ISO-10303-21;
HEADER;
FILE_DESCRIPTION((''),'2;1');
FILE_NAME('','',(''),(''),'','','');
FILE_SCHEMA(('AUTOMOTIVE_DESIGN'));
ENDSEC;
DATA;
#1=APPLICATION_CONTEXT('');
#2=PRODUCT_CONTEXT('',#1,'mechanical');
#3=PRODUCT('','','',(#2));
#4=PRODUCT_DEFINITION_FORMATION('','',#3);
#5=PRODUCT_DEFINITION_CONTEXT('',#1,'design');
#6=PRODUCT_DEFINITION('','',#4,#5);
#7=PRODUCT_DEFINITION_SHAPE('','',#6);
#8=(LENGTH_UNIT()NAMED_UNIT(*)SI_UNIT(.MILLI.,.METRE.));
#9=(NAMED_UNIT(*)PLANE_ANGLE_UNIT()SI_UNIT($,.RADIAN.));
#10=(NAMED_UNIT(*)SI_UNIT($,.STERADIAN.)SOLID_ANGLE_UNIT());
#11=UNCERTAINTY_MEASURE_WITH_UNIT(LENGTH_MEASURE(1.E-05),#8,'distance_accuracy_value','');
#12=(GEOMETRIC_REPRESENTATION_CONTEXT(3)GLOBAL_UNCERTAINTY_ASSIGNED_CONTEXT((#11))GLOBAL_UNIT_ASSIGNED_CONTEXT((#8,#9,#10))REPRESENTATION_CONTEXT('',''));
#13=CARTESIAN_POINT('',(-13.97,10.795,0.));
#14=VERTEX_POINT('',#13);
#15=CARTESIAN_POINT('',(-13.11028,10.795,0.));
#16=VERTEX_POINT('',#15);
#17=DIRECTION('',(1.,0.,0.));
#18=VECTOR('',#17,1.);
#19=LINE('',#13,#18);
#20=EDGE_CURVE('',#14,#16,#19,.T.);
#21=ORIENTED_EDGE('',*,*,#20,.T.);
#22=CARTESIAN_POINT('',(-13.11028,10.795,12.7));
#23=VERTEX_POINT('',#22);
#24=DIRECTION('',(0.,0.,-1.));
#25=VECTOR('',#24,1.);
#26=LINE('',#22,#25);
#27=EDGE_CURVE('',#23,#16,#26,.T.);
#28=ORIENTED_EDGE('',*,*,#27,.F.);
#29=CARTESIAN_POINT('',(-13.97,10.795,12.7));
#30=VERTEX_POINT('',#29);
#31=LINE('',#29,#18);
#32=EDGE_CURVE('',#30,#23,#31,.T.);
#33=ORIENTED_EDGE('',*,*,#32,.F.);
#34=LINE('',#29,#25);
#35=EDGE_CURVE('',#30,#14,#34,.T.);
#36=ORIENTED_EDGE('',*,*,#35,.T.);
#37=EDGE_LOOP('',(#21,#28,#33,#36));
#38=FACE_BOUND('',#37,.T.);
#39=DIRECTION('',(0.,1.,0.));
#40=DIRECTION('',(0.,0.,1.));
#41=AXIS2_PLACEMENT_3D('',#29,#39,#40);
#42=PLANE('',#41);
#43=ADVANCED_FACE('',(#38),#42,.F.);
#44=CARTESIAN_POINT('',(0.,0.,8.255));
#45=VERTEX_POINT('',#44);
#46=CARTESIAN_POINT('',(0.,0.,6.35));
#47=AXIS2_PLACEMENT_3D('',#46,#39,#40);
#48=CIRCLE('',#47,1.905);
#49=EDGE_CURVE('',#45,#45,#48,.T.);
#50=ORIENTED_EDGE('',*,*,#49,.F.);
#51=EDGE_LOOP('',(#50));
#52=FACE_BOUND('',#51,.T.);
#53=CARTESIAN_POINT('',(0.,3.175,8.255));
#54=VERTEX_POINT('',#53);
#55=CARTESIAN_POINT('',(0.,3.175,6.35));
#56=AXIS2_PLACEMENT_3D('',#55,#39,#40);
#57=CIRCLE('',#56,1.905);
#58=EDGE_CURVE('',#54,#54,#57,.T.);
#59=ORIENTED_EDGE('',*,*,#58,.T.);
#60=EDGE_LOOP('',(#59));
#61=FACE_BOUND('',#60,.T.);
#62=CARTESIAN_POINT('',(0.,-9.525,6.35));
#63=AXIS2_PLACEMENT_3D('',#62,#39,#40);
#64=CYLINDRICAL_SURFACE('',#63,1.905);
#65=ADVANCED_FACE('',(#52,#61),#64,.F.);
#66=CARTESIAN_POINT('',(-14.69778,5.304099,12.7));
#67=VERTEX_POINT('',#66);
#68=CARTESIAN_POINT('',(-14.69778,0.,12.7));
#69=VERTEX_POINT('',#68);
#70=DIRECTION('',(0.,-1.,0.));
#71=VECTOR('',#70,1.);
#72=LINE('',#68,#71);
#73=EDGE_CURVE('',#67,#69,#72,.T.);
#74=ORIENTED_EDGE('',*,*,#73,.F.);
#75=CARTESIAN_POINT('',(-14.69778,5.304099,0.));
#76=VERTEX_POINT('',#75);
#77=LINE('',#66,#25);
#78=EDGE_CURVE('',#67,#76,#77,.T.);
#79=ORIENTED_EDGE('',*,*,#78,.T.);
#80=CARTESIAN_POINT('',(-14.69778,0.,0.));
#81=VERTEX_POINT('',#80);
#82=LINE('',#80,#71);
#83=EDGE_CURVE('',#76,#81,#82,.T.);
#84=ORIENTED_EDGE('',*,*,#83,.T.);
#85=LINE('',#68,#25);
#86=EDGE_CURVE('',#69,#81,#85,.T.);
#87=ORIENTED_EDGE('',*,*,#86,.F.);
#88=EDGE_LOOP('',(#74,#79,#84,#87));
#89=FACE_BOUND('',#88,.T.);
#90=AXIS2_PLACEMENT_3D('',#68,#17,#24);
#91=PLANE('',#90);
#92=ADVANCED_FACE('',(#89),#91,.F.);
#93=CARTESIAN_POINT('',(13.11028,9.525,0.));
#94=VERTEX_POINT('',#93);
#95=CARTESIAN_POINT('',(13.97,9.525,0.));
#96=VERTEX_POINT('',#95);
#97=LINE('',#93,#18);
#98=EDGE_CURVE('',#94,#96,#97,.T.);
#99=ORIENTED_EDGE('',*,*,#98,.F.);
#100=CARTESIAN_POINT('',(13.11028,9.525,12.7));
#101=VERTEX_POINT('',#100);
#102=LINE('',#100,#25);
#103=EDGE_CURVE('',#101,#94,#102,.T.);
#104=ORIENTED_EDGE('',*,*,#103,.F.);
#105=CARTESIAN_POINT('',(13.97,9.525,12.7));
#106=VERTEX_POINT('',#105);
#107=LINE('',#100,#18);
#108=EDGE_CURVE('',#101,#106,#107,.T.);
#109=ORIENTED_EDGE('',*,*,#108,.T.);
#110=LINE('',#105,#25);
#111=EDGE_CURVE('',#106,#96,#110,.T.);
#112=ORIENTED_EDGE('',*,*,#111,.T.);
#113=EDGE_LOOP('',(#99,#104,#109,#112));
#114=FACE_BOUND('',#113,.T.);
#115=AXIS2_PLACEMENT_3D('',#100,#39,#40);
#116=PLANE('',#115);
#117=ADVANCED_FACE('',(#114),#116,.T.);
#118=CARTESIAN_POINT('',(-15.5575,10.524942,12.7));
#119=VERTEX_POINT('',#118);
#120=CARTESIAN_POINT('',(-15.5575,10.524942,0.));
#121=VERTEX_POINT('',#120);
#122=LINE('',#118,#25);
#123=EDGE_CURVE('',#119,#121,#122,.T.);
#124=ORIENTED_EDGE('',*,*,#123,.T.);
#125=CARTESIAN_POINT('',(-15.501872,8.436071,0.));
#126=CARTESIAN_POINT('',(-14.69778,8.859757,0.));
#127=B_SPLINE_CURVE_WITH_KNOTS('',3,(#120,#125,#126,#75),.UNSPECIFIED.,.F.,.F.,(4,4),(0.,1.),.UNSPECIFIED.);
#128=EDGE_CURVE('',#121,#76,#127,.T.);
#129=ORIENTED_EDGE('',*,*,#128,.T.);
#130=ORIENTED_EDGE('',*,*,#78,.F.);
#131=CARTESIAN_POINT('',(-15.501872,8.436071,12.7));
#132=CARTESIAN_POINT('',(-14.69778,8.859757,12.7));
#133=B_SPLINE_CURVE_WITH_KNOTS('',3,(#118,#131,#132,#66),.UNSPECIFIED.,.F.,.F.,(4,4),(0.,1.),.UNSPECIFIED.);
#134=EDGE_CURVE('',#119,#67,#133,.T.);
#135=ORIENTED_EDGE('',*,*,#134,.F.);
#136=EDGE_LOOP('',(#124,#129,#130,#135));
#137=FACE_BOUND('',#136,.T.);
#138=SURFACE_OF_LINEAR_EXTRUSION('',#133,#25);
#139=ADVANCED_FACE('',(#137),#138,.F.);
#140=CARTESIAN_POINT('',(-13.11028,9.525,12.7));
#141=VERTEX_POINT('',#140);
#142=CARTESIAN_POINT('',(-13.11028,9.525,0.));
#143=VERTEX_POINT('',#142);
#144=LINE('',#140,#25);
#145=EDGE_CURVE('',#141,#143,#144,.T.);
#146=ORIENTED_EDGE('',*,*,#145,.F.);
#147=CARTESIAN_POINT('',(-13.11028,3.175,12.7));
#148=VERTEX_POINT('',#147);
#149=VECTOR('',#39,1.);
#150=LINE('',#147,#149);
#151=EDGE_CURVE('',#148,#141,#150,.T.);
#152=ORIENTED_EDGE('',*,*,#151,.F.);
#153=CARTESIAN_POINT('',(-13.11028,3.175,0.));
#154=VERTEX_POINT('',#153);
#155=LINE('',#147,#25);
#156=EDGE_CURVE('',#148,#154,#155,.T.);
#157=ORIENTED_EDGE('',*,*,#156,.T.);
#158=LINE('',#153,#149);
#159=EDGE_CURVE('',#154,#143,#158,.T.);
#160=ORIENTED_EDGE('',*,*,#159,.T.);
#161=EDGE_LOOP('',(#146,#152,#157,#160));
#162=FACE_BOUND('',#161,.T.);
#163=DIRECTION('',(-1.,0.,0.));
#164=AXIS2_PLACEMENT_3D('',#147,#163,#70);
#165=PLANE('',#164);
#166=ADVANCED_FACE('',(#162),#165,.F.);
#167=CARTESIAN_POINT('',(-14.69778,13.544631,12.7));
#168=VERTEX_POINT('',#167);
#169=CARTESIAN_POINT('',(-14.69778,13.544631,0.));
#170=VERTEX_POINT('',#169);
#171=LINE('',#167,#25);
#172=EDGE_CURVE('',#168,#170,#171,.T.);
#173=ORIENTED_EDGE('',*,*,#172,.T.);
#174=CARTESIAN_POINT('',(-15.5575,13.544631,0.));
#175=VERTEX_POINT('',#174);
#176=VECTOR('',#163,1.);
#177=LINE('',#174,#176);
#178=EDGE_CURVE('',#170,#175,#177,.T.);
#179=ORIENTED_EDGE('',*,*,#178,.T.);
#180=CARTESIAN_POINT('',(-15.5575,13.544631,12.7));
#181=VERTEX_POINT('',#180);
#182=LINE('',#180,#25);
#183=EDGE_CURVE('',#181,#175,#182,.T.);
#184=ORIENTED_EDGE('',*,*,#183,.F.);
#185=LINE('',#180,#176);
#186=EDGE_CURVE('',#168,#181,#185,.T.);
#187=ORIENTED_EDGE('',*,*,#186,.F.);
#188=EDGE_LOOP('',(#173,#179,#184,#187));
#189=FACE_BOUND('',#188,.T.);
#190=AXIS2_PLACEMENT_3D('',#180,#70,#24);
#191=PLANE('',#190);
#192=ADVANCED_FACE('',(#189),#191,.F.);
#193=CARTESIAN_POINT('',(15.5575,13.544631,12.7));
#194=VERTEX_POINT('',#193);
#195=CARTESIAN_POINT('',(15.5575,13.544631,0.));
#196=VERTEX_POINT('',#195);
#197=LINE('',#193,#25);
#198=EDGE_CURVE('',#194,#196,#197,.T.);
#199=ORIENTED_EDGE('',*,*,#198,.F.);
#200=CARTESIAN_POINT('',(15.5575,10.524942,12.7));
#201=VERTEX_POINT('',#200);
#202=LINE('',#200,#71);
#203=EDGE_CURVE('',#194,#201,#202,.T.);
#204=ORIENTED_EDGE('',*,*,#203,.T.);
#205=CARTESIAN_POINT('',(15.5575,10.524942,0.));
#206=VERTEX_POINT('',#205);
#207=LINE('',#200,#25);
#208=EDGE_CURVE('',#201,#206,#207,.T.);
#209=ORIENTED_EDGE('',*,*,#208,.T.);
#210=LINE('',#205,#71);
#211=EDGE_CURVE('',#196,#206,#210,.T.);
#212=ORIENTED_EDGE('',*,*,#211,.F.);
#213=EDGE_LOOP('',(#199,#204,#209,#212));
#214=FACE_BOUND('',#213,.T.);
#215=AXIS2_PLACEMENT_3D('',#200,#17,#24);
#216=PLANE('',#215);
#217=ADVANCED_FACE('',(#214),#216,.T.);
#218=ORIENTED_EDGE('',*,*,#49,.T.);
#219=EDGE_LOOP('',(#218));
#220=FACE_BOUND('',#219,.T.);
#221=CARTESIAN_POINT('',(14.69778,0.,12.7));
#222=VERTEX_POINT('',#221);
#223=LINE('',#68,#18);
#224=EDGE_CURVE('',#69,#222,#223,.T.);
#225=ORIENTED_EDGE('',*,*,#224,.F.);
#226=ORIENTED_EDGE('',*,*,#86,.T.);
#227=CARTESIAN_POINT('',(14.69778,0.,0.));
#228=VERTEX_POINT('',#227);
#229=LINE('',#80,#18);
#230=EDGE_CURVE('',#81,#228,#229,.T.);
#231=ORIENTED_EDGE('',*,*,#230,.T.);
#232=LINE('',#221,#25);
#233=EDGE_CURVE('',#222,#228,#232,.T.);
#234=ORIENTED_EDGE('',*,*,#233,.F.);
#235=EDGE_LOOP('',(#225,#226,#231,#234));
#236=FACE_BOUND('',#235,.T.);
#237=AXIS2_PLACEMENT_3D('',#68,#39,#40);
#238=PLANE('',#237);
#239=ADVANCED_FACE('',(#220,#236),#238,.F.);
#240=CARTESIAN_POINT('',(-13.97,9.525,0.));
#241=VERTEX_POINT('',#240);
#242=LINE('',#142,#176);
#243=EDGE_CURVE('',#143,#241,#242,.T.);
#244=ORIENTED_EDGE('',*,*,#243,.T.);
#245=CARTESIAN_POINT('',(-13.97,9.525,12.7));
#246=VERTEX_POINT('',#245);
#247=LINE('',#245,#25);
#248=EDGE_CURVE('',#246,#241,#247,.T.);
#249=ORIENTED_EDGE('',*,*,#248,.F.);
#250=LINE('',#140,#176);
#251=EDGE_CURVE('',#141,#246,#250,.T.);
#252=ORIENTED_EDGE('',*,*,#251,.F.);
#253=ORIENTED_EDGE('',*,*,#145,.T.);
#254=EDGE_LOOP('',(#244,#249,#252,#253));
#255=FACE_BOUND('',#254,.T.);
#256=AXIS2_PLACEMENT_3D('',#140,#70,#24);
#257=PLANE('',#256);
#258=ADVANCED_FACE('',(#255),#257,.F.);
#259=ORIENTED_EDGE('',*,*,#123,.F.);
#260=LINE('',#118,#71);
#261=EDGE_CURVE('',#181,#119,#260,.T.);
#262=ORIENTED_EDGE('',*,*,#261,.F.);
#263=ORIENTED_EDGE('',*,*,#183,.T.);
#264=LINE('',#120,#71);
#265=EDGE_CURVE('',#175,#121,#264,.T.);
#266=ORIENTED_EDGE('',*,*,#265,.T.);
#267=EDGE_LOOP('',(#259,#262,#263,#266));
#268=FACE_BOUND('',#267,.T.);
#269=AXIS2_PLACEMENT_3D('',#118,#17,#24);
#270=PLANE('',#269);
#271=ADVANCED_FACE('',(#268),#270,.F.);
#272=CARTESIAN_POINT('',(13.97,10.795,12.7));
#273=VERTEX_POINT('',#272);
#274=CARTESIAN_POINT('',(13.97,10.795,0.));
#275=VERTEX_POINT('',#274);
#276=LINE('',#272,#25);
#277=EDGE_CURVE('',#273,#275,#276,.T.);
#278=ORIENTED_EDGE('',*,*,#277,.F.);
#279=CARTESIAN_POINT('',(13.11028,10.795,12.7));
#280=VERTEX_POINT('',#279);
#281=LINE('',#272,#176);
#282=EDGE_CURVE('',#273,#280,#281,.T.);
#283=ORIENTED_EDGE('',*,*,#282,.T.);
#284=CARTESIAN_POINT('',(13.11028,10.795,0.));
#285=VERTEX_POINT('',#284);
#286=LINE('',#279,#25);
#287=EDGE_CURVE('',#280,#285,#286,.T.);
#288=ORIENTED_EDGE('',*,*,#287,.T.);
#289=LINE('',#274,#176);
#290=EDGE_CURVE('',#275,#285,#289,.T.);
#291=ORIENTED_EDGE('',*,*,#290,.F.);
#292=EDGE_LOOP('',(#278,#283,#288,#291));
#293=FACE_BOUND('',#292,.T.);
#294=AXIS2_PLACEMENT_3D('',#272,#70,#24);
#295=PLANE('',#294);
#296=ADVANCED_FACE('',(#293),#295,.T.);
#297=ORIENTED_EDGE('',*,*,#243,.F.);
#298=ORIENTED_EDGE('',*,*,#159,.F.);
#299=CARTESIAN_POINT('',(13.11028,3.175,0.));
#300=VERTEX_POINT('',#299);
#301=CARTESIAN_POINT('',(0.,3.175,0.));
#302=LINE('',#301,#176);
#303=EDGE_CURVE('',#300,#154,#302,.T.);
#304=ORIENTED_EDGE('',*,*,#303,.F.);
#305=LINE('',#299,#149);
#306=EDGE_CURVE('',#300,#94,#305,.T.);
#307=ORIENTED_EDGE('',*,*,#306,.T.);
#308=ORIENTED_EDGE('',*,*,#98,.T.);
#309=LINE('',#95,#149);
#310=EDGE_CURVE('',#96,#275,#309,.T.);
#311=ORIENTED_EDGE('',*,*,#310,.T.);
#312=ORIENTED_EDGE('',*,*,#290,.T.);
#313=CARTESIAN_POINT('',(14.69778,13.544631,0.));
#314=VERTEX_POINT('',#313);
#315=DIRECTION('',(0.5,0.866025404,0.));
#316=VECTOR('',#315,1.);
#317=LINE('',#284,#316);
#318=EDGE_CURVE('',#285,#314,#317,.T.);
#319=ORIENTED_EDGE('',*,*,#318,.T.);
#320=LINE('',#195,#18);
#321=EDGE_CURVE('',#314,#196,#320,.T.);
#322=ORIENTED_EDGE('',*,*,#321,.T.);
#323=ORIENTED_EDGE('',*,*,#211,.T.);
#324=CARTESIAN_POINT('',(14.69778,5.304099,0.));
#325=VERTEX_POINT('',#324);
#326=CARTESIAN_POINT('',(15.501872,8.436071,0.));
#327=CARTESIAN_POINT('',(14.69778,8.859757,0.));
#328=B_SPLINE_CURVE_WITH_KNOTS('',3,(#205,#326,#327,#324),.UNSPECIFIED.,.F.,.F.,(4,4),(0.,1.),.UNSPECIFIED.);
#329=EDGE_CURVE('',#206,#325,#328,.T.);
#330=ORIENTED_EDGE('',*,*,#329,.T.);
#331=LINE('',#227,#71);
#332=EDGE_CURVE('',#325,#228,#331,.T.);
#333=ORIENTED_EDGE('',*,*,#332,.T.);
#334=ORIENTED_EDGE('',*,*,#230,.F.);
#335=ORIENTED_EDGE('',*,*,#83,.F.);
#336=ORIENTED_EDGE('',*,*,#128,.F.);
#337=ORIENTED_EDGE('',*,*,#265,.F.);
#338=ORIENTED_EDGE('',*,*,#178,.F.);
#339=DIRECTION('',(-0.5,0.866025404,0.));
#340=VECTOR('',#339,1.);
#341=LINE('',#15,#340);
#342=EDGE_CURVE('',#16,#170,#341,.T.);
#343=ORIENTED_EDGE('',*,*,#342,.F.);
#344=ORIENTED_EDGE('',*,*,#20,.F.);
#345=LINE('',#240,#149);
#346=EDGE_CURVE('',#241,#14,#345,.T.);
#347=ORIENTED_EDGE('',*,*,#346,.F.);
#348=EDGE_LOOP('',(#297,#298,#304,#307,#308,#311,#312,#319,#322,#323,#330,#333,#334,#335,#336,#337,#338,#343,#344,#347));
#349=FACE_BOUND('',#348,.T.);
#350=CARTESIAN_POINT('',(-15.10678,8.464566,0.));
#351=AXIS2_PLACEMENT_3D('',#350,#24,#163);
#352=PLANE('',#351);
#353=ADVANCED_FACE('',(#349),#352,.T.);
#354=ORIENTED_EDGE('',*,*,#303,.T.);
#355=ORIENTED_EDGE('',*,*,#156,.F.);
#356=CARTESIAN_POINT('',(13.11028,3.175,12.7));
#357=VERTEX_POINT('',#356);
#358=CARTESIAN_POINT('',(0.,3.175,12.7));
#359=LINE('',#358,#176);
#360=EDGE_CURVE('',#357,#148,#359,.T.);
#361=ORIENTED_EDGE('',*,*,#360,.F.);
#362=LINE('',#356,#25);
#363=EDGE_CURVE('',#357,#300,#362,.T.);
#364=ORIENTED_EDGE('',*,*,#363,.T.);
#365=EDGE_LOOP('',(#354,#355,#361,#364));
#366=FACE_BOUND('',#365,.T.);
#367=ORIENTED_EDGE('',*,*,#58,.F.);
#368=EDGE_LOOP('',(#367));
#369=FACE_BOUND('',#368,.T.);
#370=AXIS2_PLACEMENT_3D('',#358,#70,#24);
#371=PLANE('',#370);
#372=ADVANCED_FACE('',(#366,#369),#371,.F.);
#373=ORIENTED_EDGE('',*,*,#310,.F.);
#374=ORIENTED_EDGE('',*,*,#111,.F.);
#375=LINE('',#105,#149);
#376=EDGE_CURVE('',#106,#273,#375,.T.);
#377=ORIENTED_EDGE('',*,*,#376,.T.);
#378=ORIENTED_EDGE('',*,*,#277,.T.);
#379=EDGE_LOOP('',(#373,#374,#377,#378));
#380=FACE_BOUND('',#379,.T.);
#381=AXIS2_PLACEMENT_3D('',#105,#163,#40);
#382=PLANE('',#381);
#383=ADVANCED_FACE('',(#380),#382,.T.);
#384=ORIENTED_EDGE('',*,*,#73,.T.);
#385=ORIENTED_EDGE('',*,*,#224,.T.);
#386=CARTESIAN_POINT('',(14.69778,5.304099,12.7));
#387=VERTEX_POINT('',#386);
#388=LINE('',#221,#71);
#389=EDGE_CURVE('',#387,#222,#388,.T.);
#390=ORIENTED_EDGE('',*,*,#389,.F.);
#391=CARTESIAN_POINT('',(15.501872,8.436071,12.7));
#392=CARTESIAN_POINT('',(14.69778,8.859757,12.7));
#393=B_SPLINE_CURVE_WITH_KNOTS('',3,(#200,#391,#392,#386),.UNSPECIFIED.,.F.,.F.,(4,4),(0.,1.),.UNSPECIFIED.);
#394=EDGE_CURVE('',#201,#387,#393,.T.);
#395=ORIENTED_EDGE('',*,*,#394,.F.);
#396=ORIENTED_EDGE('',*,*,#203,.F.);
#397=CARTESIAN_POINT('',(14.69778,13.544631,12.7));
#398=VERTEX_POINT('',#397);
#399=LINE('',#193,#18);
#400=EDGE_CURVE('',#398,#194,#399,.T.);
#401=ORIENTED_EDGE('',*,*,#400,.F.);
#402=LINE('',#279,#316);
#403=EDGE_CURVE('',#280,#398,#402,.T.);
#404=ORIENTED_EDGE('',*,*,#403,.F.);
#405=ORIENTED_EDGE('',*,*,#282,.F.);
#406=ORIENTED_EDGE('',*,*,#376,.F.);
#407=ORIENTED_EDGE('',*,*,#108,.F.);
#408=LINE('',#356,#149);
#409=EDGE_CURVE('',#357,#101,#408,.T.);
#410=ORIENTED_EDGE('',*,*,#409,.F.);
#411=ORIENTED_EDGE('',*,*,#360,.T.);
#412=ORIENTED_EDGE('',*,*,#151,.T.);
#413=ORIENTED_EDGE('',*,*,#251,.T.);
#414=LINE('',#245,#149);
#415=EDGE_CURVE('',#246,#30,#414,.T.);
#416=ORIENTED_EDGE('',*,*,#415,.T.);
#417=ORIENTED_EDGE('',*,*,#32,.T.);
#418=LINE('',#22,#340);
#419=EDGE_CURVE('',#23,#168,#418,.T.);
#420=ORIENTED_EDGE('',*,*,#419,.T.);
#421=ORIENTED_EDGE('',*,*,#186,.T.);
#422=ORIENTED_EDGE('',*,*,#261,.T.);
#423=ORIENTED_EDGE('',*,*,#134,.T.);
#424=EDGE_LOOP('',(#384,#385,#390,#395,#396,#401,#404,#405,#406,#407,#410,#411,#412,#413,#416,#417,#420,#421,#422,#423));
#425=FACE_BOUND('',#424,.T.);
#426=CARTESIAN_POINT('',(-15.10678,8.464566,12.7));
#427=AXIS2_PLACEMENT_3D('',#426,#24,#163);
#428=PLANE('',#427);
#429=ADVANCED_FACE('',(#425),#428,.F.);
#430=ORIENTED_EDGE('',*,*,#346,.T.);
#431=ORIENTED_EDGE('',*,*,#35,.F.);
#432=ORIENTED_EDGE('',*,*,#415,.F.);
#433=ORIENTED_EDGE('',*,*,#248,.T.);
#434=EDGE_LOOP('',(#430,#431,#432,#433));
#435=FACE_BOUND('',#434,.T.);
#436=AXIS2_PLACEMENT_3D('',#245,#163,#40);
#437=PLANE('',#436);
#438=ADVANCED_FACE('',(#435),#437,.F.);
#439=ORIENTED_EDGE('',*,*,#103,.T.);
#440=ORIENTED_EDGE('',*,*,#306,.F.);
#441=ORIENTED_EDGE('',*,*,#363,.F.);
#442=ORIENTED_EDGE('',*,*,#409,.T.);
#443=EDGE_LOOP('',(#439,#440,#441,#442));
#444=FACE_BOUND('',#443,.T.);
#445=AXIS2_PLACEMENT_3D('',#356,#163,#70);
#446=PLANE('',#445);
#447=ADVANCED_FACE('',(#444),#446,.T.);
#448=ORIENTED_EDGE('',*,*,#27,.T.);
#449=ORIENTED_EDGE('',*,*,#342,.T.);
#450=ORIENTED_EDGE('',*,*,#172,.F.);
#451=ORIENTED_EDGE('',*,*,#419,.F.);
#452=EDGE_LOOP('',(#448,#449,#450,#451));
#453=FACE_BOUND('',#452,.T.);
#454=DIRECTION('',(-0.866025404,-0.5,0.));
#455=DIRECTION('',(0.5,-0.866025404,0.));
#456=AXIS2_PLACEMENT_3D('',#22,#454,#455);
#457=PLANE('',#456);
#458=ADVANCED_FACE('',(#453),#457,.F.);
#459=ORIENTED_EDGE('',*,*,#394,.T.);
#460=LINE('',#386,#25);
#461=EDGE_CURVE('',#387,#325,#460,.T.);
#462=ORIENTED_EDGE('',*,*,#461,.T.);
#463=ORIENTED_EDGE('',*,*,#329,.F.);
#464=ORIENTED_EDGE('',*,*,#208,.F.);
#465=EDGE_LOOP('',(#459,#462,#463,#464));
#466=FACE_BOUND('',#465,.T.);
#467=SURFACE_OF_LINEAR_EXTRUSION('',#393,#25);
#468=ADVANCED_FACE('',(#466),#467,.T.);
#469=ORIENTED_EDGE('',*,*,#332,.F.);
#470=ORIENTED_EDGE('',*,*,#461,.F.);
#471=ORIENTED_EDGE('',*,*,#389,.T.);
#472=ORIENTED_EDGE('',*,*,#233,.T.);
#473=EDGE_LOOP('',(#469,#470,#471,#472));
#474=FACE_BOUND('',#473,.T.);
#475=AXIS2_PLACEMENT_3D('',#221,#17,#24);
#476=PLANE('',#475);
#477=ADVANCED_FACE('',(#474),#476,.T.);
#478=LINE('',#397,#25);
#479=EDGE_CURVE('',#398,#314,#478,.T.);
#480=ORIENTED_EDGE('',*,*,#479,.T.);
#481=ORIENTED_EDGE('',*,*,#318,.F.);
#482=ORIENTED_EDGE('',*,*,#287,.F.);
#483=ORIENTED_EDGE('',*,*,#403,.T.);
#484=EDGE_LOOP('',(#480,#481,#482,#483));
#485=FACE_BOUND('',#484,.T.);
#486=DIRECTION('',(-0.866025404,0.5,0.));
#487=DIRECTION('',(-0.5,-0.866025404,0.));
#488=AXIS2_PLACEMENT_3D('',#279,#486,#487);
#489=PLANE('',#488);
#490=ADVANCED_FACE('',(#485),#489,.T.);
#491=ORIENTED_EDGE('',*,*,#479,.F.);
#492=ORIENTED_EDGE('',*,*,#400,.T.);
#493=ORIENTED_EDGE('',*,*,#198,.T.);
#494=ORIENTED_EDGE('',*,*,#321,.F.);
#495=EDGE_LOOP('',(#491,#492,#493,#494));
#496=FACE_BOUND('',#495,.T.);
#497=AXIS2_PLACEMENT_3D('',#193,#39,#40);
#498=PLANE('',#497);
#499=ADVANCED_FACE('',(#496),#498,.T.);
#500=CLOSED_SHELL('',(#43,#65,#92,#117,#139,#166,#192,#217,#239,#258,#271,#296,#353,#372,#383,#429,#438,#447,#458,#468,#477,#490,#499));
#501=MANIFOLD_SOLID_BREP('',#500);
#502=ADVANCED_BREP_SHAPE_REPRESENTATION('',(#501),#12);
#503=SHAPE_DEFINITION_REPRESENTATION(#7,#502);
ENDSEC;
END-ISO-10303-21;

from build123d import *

# Parameters (mm, degrees)
BOSS_EXTRUDE1_DEPTH = 12.7
SKETCH2_R           = 1.905
CUT_EXTRUDE1_DEPTH  = 12.7


with BuildPart() as part:
    # Sketch1 → Boss-Extrude1 (new body)
    with BuildSketch(Plane.XY):
        with BuildLine():
            Line((0, 0), (0, 3.175))
            Line((0, 3.175), (-13.110280444, 3.175))
            Line((-13.110280444, 3.175), (-13.110280444, 9.525))
            Line((-13.110280444, 9.525), (-13.97, 9.525))
            Line((-13.97, 9.525), (-13.97, 10.795))
            Line((-13.97, 10.795), (-13.110280444, 10.795))
            Line((-13.110280444, 10.795), (-14.697780444, 13.544630657))
            Line((-14.697780444, 13.544630657), (-15.5575, 13.544630657))
            Line((-15.5575, 13.544630657), (-15.5575, 10.524942302))
            add(Edge.make_bspline(
                [(-14.697780444, 5.304098901), (-14.697780444, 8.859756712), (-15.501871983, 8.436070985), (-15.5575, 10.524942302)],
                knots=[0, 0, 0, 0, 1, 1, 1, 1], degree=3))
            Line((-14.697780444, 5.304098901), (-14.697780444, 0))
            Line((-14.697780444, 0), (0, 0))
        make_face()
    boss_extrude1 = extrude(amount=BOSS_EXTRUDE1_DEPTH)

    # Mirror1: Boss-Extrude1 across plane
    add(boss_extrude1.mirror(Plane(origin=(0, 0, 0), x_dir=(0, 0, 1), z_dir=(1, 0, 0))))

    # Sketch2 → Cut-Extrude1 (cut)
    with BuildSketch(Plane(origin=(0, 3.175, 0), x_dir=(1, 0, 0), z_dir=(0, 1, 0))):
        with Locations(Location((0, -6.35, 0), (0, 0, 270))):
            Circle(SKETCH2_R)
    extrude(amount=-CUT_EXTRUDE1_DEPTH, mode=Mode.SUBTRACT)


solid = part.part
